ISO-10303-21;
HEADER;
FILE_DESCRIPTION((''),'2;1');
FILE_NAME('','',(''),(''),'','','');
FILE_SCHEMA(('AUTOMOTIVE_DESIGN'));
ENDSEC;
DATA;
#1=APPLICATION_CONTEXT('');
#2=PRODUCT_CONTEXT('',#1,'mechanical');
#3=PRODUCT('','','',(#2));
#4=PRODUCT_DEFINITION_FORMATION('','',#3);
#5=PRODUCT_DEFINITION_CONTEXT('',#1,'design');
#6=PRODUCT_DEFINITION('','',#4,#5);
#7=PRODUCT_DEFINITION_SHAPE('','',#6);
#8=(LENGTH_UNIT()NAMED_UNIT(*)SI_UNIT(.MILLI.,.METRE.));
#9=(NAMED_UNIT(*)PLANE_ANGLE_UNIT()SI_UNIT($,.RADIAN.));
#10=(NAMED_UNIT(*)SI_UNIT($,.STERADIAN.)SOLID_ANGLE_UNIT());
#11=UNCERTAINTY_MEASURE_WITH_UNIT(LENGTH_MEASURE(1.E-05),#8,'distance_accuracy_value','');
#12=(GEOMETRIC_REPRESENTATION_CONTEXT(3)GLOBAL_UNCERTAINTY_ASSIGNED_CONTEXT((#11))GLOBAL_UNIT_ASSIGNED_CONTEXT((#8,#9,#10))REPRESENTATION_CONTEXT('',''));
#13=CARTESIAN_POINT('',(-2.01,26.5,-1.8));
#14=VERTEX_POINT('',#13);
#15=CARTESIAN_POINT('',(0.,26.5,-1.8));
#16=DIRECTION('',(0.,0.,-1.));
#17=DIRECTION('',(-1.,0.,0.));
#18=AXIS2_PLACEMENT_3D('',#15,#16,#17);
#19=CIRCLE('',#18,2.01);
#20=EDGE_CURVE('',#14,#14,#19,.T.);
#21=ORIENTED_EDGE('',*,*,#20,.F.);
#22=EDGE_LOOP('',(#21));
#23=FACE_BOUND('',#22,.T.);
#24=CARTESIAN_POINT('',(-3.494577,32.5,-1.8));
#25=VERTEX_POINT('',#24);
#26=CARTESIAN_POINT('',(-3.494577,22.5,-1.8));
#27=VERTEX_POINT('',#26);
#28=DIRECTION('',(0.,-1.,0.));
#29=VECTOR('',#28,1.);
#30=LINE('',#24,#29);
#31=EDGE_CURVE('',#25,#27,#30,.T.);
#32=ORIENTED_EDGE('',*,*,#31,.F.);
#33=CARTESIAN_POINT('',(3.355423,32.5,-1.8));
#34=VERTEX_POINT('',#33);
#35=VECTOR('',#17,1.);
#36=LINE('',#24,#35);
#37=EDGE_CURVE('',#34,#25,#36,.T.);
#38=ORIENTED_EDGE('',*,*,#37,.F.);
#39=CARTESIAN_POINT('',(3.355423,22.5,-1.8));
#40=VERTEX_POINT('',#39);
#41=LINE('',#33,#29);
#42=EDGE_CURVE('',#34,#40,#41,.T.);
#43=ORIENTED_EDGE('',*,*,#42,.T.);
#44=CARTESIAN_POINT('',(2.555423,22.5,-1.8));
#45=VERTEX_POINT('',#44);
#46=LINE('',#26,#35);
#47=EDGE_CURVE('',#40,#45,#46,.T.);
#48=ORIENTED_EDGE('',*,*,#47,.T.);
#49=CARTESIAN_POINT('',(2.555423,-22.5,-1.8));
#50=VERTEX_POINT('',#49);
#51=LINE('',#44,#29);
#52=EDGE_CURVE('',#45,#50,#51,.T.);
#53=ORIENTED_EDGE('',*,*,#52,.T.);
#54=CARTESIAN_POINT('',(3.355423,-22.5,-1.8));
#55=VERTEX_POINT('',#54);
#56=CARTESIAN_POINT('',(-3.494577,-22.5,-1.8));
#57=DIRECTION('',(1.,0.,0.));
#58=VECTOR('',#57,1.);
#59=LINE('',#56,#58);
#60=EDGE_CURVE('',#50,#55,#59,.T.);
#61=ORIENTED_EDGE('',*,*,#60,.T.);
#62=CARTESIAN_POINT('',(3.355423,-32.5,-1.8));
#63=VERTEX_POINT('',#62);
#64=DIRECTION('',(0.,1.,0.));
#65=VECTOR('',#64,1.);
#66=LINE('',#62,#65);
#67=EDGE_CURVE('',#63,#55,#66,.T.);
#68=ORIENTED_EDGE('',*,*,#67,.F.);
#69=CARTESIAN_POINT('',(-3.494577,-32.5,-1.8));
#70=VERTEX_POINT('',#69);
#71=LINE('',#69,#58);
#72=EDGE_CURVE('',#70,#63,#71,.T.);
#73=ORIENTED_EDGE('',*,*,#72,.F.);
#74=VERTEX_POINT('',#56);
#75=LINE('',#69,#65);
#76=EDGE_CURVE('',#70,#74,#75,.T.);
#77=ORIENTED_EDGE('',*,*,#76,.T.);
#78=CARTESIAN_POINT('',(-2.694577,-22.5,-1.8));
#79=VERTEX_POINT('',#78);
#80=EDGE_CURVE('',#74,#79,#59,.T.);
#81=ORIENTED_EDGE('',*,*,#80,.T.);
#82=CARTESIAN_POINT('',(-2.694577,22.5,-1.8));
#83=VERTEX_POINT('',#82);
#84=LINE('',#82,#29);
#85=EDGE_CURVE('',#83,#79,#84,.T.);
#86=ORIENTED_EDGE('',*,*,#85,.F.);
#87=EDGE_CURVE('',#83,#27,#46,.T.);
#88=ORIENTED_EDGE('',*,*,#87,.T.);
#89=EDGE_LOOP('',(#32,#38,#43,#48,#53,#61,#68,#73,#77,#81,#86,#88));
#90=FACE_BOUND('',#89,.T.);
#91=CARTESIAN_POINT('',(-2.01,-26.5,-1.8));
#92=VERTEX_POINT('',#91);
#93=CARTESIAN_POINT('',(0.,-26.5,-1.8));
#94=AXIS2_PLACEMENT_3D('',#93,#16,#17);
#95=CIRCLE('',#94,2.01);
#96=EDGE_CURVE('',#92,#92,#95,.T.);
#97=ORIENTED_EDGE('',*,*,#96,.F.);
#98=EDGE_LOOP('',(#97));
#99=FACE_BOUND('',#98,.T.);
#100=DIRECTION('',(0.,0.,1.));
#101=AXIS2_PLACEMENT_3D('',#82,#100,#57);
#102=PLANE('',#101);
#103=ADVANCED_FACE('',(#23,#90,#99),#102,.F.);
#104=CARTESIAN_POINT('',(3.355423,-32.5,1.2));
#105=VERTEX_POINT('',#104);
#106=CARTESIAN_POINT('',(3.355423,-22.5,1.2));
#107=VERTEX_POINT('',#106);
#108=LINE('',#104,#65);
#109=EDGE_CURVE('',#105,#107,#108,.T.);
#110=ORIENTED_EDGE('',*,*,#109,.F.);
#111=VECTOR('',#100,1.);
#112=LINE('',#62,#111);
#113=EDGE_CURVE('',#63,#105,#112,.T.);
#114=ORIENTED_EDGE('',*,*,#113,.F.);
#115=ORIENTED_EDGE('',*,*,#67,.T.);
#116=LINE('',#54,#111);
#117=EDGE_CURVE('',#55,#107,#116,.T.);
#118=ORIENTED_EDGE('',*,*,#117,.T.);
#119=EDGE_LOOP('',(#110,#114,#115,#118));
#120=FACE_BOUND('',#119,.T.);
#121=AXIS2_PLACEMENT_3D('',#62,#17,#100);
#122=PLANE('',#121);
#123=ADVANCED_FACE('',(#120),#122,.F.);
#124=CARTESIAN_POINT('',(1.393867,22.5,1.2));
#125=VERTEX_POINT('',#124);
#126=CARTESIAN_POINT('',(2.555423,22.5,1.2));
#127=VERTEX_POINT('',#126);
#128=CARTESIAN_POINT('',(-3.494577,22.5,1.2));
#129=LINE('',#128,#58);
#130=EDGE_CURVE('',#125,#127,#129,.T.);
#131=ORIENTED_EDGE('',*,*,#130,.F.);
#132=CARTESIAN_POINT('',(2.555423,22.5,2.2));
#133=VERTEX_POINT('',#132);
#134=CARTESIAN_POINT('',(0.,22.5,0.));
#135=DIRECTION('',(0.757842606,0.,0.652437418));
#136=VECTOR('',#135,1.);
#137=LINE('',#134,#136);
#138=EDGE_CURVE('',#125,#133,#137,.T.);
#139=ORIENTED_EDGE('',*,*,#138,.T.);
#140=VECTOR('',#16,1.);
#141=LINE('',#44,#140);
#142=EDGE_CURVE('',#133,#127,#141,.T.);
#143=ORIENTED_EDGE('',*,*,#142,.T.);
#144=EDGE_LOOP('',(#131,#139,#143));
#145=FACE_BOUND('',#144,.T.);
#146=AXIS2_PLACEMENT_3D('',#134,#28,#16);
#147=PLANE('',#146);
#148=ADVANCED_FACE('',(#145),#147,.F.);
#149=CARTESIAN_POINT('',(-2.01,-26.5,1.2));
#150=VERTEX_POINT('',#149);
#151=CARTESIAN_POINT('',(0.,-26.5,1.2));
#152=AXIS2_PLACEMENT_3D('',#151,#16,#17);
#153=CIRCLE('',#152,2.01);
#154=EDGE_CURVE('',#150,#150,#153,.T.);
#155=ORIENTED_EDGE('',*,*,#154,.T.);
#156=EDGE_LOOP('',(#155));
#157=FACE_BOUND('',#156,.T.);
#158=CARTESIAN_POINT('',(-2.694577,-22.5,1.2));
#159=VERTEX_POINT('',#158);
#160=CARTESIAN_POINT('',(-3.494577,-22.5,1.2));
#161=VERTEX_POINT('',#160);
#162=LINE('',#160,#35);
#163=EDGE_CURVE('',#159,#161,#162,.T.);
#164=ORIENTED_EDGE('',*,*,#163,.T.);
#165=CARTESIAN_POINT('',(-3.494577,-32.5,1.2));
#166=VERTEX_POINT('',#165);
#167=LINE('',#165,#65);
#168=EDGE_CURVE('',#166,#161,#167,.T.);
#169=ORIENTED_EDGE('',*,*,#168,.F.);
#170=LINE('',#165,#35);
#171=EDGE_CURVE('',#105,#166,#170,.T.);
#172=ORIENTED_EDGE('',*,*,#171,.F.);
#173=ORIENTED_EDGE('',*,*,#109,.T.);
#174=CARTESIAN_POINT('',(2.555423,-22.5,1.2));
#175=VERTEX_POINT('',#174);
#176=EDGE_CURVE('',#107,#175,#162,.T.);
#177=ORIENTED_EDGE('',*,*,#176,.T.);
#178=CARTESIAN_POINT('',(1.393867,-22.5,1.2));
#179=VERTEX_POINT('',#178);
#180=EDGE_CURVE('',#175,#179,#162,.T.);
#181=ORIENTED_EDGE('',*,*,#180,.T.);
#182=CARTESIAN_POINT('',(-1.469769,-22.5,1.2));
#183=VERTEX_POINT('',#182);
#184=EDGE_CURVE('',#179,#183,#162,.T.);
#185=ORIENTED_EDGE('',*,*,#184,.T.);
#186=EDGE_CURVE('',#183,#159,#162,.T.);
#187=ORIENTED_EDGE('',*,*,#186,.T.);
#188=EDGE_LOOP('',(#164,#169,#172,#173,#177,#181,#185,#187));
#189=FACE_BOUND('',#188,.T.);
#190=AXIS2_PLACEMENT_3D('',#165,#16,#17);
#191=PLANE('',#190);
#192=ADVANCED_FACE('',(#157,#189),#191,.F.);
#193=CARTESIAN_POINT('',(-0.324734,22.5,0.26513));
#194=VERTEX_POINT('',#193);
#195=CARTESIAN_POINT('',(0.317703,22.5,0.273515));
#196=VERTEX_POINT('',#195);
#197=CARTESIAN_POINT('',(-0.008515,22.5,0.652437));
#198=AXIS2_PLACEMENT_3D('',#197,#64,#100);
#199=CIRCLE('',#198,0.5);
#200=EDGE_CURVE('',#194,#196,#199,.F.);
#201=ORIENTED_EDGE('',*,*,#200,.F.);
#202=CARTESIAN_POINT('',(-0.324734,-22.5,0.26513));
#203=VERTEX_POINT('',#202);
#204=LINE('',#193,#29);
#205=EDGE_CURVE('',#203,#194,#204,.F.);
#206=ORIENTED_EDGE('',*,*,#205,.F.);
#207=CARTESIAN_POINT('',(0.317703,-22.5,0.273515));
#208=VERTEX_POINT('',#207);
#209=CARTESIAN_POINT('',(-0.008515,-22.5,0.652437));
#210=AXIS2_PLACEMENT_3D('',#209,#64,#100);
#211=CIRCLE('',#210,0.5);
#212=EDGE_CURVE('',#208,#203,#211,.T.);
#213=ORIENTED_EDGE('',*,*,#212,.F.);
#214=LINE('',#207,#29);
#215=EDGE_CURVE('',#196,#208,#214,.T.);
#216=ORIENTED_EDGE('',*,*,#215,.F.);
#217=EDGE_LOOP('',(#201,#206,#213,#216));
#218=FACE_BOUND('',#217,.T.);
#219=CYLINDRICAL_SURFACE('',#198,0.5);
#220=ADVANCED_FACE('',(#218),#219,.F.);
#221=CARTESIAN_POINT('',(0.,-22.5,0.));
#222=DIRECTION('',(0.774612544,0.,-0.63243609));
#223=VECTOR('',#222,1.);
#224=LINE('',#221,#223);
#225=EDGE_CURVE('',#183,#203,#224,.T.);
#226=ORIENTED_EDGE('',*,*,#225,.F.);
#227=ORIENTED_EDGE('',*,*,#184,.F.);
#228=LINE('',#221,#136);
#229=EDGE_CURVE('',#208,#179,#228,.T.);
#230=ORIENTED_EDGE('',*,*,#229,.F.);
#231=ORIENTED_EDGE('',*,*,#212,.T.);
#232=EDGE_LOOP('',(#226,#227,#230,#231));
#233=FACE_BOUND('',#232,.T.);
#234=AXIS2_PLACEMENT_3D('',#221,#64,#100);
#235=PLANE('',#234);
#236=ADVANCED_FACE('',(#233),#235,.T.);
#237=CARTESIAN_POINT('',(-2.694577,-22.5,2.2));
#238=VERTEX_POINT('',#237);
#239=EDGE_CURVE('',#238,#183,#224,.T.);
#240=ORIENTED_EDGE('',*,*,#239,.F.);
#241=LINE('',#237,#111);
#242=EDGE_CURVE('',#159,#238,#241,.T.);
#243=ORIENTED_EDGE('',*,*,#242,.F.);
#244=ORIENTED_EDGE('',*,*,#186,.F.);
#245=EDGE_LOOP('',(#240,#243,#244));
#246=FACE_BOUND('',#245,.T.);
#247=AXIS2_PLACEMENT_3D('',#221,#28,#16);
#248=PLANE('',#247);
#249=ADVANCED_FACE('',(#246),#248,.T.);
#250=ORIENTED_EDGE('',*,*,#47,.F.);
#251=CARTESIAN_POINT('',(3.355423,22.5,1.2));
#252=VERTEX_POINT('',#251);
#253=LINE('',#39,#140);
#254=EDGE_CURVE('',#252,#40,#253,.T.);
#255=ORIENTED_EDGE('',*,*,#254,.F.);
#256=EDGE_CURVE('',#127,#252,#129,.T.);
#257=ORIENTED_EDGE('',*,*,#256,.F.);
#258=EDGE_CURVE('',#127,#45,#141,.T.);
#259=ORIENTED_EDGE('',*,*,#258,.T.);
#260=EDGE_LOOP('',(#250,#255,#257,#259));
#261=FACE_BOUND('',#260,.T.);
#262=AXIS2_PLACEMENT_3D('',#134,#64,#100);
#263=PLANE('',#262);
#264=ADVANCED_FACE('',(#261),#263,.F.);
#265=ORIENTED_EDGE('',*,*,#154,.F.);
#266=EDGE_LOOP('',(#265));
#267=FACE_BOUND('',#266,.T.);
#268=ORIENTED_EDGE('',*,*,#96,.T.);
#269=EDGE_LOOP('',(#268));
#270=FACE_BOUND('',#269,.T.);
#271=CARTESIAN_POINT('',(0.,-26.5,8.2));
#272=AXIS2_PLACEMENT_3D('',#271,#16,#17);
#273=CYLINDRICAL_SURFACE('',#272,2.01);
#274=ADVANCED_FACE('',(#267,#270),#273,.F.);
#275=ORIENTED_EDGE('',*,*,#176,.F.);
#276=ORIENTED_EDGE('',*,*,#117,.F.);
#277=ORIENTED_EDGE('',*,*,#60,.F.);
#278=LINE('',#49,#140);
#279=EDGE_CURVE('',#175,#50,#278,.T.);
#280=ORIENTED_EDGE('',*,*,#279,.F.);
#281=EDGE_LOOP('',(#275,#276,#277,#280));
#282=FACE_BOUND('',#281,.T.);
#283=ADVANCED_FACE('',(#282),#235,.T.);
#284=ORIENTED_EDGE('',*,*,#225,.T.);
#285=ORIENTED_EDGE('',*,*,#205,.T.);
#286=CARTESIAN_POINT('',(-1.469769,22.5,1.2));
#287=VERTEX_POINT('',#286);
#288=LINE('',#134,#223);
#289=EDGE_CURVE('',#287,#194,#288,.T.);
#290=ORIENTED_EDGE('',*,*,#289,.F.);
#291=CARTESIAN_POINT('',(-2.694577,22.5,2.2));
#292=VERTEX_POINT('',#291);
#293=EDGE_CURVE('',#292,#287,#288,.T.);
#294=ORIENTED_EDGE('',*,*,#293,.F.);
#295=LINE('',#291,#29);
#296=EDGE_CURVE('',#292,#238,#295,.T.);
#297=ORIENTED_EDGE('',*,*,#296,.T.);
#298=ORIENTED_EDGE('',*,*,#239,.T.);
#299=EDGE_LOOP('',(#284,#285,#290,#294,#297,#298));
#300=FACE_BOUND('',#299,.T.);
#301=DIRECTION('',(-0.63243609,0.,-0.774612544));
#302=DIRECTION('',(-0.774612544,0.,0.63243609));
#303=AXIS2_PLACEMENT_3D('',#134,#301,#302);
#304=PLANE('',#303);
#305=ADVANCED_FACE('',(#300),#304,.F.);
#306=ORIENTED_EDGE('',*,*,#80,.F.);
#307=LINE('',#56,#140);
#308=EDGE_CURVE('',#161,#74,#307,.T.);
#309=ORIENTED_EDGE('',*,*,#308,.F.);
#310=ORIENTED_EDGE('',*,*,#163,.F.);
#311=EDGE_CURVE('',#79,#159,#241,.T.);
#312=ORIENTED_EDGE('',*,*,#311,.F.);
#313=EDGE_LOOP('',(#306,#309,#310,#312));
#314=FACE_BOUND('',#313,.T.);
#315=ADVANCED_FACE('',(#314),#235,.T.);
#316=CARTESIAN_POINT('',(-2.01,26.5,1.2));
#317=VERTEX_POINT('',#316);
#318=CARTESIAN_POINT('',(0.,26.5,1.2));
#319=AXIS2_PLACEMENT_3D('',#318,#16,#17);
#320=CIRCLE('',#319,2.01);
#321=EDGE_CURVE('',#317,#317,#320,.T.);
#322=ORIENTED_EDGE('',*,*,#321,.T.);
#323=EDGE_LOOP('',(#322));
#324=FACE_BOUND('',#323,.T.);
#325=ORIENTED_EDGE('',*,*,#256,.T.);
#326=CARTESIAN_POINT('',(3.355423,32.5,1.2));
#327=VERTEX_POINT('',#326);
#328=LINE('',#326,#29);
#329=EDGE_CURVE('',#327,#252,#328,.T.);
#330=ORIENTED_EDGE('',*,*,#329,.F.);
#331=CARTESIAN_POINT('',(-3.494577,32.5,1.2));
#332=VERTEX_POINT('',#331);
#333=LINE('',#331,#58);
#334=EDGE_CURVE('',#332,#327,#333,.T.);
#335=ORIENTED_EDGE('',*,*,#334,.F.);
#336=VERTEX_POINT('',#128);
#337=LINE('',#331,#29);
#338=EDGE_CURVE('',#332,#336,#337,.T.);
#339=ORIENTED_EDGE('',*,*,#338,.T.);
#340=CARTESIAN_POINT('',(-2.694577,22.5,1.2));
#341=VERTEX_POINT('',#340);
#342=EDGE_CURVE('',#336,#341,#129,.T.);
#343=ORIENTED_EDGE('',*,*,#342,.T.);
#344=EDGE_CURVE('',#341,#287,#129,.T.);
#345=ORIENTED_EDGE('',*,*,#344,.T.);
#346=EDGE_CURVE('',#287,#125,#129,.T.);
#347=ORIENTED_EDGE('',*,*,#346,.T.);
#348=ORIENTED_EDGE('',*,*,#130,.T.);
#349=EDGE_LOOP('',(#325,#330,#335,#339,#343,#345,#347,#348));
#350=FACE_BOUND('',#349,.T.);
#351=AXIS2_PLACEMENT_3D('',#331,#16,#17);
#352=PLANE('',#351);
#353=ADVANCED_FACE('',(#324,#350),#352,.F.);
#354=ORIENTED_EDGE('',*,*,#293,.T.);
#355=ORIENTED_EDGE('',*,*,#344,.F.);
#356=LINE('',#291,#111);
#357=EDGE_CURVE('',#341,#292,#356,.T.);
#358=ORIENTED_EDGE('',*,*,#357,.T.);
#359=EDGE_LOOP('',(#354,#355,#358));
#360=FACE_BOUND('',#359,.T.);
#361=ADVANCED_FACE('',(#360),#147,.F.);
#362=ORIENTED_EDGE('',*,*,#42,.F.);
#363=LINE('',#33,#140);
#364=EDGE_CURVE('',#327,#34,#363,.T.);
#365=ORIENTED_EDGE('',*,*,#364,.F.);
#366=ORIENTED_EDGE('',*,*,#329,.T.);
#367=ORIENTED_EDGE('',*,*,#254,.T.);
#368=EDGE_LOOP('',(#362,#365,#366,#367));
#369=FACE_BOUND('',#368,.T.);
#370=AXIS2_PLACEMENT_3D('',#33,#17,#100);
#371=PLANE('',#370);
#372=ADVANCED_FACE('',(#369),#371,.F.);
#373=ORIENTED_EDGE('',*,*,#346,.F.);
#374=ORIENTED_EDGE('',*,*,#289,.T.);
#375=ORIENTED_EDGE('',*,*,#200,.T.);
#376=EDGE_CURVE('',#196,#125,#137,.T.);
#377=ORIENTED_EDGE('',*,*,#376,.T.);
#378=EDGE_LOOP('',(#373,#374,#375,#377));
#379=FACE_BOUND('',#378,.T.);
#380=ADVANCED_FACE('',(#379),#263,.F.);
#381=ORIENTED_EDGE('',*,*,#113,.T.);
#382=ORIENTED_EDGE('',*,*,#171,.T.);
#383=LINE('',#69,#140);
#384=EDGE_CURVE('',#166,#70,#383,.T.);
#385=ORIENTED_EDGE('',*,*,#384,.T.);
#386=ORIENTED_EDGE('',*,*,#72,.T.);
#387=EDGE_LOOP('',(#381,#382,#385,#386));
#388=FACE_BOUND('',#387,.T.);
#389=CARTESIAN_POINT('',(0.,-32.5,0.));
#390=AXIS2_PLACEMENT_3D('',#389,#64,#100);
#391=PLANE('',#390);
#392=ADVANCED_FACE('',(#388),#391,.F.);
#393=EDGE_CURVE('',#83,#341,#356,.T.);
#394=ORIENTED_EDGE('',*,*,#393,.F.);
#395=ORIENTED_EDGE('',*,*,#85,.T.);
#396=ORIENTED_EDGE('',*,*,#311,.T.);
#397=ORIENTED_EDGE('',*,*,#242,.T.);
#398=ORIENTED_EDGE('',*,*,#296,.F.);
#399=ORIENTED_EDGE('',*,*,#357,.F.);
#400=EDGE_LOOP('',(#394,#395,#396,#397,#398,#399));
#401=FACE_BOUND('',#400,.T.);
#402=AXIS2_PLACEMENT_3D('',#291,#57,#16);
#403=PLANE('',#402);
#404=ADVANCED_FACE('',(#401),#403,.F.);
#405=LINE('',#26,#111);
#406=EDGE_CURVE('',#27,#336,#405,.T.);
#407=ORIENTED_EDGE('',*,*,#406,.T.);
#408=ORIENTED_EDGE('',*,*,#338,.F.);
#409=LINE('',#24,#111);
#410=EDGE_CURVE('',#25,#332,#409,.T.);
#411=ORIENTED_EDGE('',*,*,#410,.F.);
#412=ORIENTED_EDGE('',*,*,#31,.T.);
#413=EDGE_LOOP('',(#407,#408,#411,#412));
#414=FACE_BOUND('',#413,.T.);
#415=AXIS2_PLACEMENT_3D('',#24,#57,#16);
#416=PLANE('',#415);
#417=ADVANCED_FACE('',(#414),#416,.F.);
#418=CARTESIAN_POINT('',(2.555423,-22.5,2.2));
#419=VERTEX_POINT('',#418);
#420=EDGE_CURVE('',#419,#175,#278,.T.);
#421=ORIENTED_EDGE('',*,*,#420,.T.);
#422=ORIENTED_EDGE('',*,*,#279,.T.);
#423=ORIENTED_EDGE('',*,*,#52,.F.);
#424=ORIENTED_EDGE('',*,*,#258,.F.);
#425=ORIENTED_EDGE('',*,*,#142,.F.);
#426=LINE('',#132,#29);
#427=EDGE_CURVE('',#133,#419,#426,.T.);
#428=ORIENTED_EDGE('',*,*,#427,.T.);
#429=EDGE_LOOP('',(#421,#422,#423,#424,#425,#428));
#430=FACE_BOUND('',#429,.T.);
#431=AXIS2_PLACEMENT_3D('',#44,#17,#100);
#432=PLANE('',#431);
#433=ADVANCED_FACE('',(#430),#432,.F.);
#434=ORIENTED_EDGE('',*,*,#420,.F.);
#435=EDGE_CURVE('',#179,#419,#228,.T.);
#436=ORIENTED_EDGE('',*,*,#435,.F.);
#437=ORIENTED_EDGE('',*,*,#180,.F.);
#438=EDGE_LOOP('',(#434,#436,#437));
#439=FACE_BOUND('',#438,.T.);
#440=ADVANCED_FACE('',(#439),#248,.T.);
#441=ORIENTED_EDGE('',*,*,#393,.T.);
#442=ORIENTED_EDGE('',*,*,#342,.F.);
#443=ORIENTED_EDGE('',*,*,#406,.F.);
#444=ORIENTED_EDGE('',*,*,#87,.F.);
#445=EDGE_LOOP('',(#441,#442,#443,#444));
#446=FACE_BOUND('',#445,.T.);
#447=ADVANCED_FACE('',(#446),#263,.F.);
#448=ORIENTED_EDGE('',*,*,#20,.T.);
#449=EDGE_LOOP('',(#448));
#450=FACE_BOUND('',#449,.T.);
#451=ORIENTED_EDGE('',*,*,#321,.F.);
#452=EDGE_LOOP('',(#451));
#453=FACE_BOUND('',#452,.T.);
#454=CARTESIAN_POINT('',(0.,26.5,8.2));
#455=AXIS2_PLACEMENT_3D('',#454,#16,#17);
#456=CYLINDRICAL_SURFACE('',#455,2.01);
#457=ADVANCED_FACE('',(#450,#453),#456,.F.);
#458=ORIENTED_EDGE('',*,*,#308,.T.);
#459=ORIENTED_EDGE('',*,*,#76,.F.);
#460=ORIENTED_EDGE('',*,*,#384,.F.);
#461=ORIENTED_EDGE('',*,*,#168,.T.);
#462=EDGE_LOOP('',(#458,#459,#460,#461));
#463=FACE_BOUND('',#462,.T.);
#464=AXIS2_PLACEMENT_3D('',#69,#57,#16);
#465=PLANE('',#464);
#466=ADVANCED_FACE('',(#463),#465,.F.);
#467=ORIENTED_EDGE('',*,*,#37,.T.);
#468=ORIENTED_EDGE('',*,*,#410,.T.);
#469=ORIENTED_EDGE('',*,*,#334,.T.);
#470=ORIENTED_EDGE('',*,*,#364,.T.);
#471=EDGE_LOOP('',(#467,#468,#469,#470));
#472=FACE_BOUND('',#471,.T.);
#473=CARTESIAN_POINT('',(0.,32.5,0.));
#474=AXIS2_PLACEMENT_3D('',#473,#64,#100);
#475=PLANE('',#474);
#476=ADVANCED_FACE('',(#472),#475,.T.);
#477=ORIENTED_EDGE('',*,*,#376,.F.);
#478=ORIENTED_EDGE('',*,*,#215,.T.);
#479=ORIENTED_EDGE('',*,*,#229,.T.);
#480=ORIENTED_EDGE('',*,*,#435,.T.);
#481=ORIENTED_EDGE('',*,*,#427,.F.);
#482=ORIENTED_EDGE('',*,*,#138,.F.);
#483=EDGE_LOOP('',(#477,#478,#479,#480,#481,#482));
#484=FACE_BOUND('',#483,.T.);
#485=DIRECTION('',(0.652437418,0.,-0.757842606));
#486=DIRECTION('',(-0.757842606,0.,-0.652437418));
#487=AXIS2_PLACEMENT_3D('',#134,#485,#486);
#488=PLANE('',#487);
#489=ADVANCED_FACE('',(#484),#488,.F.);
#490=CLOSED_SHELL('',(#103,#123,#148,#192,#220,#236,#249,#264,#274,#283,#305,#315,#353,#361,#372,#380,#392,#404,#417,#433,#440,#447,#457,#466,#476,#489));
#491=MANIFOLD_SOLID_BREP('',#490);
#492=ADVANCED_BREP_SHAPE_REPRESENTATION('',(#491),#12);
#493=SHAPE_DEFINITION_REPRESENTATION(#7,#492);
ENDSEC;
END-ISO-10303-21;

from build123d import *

# Parameters (mm, degrees)
BOSS_EXTRUDE1_DEPTH = 22.5
SKETCH2_W           = 6.85
SKETCH2_H           = 3
BOSS_EXTRUDE2_DEPTH = 10
SKETCH3_W           = 6.85
SKETCH3_H           = 3
BOSS_EXTRUDE3_DEPTH = 10
FILLET2_R           = 0.5
SKETCH5_R           = 2.01
CUT_EXTRUDE1_DEPTH  = 10


with BuildPart() as part:
    # Sketch1 → Boss-Extrude1 (new body, symmetric)
    with BuildSketch(Plane(origin=(0, 0, 0), x_dir=(1, 0, 0), z_dir=(0, 1, 0))):
        Polygon((0, 0), (-2.69457677, -2.2), (-2.69457677, 1.8), (2.55542323, 1.8), (2.55542323, -2.2), align=None)
    extrude(amount=BOSS_EXTRUDE1_DEPTH, both=True)

    # Sketch2 → Boss-Extrude2 (add)
    with BuildSketch(Plane(origin=(0, 22.5, 0), x_dir=(1, 0, 0), z_dir=(0, 1, 0))):
        with Locations((-0.06957677, 0.3)):
            Rectangle(SKETCH2_W, SKETCH2_H)
    extrude(amount=BOSS_EXTRUDE2_DEPTH)

    # Sketch3 → Boss-Extrude3 (add)
    with BuildSketch(Plane.XZ.offset(22.5)):
        with Locations((-0.06957677, -0.3)):
            Rectangle(SKETCH3_W, SKETCH3_H)
    extrude(amount=BOSS_EXTRUDE3_DEPTH)

    # Fillet2
    fillet2_edges = [part.edges().sort_by_distance(p)[0] for p in [
        (0, 0, 0),
    ]]
    fillet(fillet2_edges, radius=FILLET2_R)

    # Sketch5 → Cut-Extrude1 (cut)
    with BuildSketch(Plane(origin=(0, 0, -1.8), x_dir=(-1, 0, 0), z_dir=(0, 0, -1))):
        with Locations((0, -26.5)):
            Circle(SKETCH5_R)
        with Locations((0, 26.5)):
            Circle(SKETCH5_R)
    extrude(amount=-CUT_EXTRUDE1_DEPTH, mode=Mode.SUBTRACT)


solid = part.part
